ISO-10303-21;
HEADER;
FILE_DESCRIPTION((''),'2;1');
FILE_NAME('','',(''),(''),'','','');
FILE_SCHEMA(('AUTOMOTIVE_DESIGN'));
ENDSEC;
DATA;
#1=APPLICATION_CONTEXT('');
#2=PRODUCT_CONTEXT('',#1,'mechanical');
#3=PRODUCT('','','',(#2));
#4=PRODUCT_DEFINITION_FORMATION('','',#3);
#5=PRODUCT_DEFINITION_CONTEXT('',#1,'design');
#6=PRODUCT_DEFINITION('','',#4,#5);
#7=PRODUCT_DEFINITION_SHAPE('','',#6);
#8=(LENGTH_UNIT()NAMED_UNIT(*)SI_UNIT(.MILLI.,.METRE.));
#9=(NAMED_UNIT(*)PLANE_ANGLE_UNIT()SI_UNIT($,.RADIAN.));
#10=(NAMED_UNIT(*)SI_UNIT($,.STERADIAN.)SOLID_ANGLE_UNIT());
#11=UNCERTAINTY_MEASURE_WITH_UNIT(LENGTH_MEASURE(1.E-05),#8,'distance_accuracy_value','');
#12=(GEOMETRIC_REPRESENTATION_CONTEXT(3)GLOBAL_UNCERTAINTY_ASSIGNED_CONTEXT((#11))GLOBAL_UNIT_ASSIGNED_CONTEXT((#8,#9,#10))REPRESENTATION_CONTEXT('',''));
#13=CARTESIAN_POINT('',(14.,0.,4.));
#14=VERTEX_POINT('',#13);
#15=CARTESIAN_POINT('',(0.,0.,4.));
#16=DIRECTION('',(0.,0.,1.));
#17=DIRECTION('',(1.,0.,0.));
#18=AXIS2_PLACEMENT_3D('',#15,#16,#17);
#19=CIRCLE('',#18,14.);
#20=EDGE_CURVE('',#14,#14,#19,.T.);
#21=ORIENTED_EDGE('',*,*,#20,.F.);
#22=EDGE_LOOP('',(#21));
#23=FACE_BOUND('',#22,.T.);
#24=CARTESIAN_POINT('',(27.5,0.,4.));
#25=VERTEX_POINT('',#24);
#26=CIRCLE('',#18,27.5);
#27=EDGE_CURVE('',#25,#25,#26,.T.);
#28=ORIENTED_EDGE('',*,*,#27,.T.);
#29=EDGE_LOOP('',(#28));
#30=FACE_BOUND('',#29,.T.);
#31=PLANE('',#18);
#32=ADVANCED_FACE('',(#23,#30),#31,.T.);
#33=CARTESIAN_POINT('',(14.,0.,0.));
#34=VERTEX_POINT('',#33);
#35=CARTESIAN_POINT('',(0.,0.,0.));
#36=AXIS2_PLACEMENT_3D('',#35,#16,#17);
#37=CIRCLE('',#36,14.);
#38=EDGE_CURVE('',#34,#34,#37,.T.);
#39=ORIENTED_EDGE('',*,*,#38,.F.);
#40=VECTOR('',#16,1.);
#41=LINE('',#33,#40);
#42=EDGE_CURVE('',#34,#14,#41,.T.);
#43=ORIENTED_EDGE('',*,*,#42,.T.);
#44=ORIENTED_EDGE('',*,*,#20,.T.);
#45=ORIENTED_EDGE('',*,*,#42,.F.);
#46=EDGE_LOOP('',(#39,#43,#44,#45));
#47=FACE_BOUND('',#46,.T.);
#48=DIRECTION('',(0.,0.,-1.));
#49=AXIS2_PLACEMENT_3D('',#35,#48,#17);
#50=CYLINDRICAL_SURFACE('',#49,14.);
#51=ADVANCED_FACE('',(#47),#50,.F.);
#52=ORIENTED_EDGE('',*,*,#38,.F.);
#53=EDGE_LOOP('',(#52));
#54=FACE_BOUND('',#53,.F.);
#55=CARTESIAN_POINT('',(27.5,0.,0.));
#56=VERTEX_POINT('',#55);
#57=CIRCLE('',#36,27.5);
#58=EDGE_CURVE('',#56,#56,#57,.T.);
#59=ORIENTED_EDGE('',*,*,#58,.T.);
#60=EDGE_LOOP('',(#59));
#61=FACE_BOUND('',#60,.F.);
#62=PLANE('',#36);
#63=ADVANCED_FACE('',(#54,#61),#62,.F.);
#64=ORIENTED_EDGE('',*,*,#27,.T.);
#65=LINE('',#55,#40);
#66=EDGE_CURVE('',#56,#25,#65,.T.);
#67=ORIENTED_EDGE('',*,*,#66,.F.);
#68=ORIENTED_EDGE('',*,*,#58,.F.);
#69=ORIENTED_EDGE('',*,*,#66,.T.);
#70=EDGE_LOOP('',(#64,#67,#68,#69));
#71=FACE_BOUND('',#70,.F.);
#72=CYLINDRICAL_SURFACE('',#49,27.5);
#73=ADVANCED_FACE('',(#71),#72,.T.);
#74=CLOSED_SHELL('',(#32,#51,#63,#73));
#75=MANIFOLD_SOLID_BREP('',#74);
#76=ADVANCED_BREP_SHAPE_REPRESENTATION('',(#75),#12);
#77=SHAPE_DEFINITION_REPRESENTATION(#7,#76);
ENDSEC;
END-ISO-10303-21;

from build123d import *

# Parameters (mm, degrees)
SKETCH_R   = 27.5
SKETCH_R_2 = 14
PAD_DEPTH  = 4


with BuildPart() as part:
    # Sketch → Pad (new body)
    with BuildSketch(Plane.XY):
        Circle(SKETCH_R)
        Circle(SKETCH_R_2, mode=Mode.SUBTRACT)
    extrude(amount=PAD_DEPTH)


solid = part.part
